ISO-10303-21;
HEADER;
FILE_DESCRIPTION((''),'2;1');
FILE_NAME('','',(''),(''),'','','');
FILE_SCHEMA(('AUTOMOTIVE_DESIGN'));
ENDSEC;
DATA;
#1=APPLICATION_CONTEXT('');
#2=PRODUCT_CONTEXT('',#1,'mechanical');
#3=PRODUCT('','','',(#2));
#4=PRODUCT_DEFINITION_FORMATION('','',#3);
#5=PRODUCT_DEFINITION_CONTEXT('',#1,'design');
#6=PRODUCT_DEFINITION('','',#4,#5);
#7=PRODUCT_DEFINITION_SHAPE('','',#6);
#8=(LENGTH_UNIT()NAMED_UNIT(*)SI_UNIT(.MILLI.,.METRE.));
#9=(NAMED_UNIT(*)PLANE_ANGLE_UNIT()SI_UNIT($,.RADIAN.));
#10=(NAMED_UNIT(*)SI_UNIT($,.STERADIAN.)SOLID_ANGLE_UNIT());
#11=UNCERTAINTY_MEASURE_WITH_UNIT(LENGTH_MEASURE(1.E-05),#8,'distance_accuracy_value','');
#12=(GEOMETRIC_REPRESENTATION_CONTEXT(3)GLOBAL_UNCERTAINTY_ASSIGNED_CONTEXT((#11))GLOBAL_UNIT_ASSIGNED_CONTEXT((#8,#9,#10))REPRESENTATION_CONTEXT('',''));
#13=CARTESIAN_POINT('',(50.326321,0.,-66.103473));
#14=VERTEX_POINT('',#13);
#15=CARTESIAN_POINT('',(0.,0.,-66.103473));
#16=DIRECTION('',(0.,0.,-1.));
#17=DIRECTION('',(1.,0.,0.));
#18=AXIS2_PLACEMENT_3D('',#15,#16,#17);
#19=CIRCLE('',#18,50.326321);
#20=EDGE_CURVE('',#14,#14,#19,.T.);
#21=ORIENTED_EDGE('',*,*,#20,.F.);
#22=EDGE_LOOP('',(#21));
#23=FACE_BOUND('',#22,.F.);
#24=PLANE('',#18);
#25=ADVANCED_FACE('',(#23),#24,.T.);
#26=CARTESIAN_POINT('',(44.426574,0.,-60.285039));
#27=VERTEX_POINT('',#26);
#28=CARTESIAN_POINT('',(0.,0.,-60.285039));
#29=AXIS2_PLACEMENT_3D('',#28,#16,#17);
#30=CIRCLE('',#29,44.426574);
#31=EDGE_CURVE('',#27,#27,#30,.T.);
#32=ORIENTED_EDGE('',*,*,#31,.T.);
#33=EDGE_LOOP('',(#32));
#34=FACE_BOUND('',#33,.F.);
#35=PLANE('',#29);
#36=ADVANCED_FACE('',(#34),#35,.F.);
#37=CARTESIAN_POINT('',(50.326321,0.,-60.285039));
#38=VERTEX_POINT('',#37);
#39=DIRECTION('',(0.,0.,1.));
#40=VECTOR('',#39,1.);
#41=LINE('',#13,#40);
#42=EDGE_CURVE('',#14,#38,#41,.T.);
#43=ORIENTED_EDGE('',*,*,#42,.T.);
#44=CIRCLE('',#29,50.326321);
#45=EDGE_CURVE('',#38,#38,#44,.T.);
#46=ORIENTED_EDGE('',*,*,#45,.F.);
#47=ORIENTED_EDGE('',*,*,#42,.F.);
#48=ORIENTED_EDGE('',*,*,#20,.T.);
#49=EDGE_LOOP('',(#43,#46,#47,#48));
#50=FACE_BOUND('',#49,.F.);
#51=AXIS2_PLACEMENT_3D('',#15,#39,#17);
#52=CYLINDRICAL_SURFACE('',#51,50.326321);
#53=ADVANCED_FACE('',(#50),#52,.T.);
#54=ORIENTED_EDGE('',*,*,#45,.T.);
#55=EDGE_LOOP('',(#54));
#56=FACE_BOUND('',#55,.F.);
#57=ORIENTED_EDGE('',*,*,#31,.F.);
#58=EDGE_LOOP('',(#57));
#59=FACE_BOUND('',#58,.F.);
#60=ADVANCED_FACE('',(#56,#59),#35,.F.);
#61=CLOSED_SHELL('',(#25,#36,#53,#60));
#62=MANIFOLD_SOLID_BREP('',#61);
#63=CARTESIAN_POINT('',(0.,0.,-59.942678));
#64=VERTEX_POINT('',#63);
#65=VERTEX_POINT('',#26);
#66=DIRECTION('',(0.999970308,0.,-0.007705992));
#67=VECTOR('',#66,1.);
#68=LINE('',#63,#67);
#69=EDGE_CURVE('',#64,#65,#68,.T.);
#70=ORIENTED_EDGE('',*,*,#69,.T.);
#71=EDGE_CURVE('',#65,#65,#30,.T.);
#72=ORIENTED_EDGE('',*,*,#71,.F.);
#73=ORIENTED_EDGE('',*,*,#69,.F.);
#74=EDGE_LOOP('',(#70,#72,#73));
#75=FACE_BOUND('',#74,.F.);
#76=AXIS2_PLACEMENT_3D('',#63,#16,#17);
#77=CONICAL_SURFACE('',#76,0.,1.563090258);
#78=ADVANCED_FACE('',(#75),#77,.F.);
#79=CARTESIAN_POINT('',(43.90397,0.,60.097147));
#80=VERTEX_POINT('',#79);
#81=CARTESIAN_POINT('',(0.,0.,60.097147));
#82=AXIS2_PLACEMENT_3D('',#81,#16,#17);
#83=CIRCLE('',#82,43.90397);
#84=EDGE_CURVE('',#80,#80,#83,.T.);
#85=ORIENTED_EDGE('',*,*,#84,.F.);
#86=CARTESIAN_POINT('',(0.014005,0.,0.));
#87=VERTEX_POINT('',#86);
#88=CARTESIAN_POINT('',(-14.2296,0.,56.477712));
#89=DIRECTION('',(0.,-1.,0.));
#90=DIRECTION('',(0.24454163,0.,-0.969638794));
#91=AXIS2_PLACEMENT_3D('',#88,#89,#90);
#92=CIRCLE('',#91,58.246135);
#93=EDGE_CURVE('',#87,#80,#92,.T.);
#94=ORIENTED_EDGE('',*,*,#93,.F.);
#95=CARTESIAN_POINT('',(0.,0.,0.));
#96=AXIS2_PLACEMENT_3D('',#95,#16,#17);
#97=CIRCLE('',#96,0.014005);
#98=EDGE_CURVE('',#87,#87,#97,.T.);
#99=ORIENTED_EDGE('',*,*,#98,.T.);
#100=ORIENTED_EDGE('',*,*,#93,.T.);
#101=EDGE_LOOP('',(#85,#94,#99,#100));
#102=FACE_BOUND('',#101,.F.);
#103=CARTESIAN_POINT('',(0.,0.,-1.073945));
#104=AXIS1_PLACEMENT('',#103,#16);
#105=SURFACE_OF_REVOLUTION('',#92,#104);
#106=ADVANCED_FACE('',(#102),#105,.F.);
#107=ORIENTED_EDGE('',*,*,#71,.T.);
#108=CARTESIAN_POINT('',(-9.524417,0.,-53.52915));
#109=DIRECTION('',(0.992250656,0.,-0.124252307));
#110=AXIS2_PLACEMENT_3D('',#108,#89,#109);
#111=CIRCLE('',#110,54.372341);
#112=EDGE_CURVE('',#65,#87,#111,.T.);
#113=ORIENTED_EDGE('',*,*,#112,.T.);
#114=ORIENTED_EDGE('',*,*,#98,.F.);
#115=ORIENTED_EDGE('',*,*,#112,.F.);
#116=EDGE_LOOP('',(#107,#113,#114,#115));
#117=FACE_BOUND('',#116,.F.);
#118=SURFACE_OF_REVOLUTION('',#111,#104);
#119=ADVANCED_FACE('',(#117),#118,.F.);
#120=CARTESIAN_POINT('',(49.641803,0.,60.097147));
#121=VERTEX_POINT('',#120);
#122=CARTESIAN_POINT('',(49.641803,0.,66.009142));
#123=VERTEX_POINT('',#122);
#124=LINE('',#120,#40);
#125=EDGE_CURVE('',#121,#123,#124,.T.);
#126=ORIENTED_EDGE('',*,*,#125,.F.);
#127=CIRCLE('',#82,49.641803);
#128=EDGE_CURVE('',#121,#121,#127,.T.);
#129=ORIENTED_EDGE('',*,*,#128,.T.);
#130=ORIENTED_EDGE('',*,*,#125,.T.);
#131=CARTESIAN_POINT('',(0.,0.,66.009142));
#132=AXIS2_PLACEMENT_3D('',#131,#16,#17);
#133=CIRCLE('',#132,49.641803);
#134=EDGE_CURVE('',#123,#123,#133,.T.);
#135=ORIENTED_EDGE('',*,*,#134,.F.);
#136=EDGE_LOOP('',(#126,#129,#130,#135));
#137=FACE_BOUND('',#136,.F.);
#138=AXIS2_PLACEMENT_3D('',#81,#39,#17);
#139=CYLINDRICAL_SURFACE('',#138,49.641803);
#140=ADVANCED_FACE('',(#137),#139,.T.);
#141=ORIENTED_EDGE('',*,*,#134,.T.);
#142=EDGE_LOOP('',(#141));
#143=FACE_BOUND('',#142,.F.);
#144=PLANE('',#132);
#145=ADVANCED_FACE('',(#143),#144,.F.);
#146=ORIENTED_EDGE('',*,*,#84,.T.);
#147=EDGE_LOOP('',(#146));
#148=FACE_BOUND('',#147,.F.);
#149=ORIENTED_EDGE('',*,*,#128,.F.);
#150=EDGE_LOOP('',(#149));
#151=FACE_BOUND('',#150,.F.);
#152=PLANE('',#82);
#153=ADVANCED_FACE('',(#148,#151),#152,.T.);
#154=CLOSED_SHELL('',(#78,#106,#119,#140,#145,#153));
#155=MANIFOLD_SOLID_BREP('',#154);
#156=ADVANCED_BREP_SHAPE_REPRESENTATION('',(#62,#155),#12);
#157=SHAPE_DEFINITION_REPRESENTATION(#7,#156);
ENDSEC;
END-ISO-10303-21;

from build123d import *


with BuildPart() as f1:
    # F0 (on Front) → F1 (revolve)
    with BuildSketch(Plane.XZ):
        with BuildLine():
            Line((43.90397, 60.097147), (0, 60.097147))
            Line((0, 60.097147), (0, -59.942678))
            Line((0, -59.942678), (0.014005, 0))
            ThreePointArc((0.014005, 0), (32.807945, 22.125396), (43.90397, 60.097147))
        make_face()
        Polygon((49.641803, 66.009142), (0, 66.009142), (0, 60.097147), (43.90397, 60.097147), (49.641803, 60.097147), align=None)
        with BuildLine():
            Line((0.014005, 0), (0, -59.942678))
            Line((0, -59.942678), (44.426574, -60.285039))
            ThreePointArc((44.426574, -60.285039), (34.251123, -21.279289), (0.014005, 0))
        make_face()
        Polygon((50.326321, -60.285039), (44.426574, -60.285039), (0, -60.285039), (0, -66.103473), (50.326321, -66.103473), align=None)
    revolve(axis=Axis((0, 0, -1.073945), (0, 0, -1)))


solid = f1.part
